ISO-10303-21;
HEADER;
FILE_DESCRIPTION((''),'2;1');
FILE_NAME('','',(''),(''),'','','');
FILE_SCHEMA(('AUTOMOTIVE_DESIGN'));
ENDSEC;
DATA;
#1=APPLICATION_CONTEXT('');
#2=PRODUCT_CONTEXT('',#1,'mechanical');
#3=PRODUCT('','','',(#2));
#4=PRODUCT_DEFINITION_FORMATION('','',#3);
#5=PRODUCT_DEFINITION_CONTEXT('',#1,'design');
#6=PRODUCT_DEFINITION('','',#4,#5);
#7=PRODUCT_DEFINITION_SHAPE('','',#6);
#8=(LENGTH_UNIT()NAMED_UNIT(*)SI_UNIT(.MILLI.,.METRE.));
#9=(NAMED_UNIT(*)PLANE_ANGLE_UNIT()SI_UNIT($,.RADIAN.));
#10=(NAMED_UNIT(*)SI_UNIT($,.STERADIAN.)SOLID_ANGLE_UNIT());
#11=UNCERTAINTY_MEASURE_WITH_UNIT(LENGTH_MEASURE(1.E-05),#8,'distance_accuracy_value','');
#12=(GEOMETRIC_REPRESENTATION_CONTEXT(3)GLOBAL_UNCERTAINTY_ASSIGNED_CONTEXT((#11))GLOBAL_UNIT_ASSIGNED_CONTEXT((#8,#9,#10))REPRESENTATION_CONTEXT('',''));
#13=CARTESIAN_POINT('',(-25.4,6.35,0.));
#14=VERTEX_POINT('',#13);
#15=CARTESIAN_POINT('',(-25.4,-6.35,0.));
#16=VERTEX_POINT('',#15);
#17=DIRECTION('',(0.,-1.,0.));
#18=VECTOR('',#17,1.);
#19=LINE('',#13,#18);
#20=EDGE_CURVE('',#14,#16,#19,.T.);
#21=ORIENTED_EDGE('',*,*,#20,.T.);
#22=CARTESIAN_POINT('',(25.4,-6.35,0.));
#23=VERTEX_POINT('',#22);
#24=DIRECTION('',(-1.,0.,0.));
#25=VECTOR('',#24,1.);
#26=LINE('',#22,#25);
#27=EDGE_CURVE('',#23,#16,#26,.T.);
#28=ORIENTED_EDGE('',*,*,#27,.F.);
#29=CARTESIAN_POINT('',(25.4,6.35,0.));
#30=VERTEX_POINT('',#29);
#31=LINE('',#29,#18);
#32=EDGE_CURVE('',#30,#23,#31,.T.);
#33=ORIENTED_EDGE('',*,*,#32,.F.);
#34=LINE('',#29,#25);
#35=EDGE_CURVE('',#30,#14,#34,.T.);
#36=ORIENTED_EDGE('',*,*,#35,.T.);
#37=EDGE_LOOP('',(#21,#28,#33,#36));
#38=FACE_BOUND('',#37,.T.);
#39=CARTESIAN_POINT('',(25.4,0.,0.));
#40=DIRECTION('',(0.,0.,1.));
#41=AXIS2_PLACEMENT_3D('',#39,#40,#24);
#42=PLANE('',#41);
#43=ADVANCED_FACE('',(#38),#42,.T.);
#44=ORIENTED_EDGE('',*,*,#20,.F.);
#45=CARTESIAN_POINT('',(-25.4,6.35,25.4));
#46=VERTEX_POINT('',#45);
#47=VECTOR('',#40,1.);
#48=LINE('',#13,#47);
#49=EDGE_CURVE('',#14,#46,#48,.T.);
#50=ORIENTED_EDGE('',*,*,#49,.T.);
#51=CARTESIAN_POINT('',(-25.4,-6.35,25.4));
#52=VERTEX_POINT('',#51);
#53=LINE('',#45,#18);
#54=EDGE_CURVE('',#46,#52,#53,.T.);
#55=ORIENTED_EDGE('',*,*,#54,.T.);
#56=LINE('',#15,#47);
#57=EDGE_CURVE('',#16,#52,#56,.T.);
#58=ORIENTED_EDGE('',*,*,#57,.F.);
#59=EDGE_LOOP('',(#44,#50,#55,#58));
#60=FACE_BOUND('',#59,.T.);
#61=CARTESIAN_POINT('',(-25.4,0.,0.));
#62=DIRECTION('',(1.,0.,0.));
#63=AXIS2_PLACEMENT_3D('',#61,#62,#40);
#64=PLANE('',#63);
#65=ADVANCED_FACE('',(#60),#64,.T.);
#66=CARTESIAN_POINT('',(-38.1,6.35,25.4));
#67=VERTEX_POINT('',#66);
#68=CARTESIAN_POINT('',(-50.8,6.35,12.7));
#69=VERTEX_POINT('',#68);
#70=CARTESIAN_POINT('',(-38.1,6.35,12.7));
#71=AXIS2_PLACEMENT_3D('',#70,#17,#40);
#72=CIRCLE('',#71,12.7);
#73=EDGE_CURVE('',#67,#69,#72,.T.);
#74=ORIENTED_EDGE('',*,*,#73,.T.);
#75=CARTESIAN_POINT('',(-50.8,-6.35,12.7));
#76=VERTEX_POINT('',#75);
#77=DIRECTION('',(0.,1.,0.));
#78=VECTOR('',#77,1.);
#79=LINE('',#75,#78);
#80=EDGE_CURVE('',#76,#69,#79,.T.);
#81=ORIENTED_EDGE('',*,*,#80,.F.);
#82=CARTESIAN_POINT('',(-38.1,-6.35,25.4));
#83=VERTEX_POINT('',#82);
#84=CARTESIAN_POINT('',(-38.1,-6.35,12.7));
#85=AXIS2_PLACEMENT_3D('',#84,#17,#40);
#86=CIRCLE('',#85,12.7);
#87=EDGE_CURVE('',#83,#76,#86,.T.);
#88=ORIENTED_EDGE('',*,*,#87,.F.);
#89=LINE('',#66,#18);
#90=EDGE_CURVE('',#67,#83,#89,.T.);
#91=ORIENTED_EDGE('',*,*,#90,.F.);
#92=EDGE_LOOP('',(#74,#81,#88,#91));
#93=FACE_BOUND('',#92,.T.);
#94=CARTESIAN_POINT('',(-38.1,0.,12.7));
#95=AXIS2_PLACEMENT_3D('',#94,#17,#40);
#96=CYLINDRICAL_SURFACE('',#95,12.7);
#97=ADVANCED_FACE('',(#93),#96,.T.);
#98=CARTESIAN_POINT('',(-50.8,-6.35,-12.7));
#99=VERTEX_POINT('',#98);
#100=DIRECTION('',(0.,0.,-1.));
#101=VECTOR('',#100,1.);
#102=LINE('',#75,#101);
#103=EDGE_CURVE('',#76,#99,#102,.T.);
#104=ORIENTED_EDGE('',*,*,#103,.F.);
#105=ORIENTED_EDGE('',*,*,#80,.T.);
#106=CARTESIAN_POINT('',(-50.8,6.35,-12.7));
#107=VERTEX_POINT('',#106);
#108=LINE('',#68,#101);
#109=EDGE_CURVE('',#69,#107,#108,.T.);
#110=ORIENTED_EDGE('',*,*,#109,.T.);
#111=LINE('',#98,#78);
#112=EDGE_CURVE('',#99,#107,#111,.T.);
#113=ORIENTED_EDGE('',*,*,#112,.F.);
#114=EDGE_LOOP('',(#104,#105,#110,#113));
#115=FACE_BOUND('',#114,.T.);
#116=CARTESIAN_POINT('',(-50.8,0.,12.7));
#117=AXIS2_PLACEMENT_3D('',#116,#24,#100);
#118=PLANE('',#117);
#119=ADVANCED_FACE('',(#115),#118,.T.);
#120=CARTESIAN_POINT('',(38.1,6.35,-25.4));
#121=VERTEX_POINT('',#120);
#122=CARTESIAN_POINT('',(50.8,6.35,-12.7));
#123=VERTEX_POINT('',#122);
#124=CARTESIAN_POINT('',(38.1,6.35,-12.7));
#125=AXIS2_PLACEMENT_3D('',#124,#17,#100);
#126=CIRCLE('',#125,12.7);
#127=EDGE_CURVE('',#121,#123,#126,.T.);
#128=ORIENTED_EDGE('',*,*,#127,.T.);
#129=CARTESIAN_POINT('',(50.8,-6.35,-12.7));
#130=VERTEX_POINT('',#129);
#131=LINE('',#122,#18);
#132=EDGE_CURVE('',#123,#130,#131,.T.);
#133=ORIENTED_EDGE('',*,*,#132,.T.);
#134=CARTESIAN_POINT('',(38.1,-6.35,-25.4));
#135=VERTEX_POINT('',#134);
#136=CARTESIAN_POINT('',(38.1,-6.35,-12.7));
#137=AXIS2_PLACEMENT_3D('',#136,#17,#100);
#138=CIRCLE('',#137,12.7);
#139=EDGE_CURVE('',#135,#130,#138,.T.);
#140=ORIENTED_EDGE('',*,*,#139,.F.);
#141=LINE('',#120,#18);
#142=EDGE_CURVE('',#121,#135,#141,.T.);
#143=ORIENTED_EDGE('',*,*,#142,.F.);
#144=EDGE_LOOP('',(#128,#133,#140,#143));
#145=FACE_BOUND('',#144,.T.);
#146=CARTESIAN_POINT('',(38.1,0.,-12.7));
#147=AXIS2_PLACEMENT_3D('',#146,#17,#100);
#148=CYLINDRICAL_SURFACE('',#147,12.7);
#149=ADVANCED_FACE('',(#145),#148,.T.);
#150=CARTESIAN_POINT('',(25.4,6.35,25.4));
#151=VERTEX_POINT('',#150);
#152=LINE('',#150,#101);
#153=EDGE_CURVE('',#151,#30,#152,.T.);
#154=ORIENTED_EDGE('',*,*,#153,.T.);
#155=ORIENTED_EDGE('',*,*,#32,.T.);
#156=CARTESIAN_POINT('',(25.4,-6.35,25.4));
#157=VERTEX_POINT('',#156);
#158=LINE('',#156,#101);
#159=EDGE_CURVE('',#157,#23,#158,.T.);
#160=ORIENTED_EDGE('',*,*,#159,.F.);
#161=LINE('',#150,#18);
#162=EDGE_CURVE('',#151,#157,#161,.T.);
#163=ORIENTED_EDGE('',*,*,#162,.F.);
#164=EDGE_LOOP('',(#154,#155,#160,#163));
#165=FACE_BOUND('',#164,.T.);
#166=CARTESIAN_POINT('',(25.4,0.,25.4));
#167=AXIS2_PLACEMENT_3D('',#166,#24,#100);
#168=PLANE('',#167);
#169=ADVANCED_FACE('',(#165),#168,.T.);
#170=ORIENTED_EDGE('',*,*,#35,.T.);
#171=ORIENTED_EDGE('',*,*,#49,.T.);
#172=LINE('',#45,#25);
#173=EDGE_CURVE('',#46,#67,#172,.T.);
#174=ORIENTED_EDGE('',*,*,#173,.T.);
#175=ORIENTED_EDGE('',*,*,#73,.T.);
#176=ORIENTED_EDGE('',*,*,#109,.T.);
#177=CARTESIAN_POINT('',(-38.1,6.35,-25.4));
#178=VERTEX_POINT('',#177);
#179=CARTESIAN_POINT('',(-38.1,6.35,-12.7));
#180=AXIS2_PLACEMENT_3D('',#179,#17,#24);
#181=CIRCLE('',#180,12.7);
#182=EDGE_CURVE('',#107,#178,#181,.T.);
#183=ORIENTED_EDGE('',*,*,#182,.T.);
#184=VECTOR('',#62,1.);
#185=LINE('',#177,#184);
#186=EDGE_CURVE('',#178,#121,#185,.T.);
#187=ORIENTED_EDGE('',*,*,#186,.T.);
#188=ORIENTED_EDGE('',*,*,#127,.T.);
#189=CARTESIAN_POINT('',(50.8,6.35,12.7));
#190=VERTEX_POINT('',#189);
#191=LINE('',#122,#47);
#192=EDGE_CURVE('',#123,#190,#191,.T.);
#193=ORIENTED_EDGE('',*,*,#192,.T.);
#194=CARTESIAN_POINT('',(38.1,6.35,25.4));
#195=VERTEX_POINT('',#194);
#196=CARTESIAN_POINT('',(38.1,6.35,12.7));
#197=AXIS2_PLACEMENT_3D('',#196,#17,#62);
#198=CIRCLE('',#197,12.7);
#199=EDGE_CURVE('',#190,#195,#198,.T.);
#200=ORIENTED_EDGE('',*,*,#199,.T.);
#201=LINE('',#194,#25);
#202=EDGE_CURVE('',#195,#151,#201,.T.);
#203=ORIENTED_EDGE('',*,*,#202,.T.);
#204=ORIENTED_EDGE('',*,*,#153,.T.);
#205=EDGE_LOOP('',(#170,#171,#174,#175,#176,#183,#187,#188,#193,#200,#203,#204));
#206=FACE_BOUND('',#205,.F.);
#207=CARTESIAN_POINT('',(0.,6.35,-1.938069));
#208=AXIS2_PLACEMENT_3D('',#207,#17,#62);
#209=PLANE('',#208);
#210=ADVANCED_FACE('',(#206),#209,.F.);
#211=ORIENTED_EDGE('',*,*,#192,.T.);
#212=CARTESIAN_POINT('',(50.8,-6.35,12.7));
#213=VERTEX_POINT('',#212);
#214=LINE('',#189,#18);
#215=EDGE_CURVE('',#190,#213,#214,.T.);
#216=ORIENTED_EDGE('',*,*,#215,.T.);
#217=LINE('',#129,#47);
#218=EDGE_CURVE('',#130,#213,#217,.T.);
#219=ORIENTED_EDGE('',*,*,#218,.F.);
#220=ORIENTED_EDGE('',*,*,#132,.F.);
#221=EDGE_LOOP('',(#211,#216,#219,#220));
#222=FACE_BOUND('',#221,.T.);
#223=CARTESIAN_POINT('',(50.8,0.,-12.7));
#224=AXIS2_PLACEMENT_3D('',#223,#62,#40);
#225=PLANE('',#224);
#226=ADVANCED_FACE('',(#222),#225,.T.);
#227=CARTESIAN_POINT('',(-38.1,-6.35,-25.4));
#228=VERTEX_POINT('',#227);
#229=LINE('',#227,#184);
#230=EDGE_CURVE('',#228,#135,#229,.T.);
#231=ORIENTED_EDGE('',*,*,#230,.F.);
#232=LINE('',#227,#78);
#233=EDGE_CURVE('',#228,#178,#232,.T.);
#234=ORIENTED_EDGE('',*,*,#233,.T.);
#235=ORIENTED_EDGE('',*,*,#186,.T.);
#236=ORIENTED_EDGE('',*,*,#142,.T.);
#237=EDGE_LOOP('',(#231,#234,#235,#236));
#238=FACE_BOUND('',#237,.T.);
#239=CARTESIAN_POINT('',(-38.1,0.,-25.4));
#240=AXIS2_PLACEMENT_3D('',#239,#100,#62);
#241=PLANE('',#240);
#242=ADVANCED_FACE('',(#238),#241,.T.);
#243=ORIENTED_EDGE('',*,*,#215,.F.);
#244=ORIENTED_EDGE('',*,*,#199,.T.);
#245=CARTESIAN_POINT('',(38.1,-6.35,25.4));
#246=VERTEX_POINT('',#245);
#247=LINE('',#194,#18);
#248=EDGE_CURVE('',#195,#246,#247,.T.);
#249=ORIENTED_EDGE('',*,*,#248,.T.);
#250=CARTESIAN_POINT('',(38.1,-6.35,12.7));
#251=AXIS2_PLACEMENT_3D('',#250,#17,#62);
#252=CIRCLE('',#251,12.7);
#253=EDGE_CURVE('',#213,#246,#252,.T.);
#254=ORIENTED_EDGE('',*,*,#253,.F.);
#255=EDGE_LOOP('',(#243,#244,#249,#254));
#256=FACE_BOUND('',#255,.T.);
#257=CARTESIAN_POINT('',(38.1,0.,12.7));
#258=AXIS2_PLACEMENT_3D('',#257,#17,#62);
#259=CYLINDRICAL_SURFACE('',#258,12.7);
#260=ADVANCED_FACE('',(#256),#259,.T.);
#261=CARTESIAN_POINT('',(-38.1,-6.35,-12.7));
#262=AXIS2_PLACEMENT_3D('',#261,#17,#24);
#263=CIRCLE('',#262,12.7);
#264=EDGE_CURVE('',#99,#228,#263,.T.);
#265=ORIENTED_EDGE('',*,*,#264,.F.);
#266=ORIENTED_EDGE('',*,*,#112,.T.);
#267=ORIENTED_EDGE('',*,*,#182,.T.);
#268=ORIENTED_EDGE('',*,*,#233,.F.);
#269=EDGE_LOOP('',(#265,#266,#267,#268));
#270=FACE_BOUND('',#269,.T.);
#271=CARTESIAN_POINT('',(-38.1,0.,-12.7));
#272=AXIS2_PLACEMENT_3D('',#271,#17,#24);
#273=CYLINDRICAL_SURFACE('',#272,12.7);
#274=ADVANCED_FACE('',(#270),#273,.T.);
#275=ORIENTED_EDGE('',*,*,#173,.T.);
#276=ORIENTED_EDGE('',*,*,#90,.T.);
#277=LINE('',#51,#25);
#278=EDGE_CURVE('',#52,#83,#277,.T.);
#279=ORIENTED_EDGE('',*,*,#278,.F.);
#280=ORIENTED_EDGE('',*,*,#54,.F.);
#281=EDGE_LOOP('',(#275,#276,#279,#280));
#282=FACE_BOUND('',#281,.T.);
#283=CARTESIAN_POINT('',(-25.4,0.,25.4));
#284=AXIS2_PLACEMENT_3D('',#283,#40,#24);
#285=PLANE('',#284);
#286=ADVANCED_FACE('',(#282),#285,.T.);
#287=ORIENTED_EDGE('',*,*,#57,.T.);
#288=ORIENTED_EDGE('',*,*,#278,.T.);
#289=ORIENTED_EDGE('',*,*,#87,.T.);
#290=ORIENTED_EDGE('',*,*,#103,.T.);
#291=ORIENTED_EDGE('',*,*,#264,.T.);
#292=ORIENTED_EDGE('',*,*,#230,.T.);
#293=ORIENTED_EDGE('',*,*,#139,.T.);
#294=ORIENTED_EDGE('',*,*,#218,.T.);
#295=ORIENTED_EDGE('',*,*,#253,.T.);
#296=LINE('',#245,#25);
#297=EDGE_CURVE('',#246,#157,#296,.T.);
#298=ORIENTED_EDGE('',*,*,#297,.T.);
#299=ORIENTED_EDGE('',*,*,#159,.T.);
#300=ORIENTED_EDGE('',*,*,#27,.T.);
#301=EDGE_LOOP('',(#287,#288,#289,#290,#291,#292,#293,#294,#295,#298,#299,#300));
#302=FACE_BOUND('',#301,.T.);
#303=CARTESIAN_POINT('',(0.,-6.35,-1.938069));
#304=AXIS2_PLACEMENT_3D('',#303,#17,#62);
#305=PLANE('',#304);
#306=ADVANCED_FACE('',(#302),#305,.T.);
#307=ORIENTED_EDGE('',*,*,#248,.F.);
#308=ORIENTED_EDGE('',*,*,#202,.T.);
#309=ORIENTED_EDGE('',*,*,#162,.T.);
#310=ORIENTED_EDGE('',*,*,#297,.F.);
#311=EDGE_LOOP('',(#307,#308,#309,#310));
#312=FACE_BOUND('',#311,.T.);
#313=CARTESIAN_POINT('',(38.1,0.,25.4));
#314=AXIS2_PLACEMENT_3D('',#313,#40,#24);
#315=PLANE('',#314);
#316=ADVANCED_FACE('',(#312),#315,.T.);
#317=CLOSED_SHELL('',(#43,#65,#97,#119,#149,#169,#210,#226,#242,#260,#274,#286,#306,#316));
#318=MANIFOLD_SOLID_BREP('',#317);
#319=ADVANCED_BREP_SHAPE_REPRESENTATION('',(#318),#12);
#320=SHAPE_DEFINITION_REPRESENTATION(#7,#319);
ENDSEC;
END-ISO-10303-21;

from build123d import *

# Parameters (mm, degrees)
F1_DEPTH = 6.35


with BuildPart() as f1:
    # F0 (on Front) → F1 (new body, symmetric)
    with BuildSketch(Plane.XZ):
        with BuildLine():
            Line((-38.1, -25.4), (38.1, -25.4))
            ThreePointArc((38.1, -25.4), (47.0802561211, -21.6802561211), (50.8, -12.7))
            Line((50.8, -12.7), (50.8, 12.7))
            ThreePointArc((50.8, 12.7), (47.0802561211, 21.6802561211), (38.1, 25.4))
            Line((38.1, 25.4), (25.4, 25.4))
            Line((25.4, 25.4), (25.4, 0))
            Line((25.4, 0), (-25.4, 0))
            Line((-25.4, 0), (-25.4, 25.4))
            Line((-25.4, 25.4), (-38.1, 25.4))
            ThreePointArc((-38.1, 25.4), (-47.0802561211, 21.6802561211), (-50.8, 12.7))
            Line((-50.8, 12.7), (-50.8, -12.7))
            ThreePointArc((-50.8, -12.7), (-47.0802561211, -21.6802561211), (-38.1, -25.4))
        make_face()
    extrude(amount=F1_DEPTH, both=True)


solid = f1.part
